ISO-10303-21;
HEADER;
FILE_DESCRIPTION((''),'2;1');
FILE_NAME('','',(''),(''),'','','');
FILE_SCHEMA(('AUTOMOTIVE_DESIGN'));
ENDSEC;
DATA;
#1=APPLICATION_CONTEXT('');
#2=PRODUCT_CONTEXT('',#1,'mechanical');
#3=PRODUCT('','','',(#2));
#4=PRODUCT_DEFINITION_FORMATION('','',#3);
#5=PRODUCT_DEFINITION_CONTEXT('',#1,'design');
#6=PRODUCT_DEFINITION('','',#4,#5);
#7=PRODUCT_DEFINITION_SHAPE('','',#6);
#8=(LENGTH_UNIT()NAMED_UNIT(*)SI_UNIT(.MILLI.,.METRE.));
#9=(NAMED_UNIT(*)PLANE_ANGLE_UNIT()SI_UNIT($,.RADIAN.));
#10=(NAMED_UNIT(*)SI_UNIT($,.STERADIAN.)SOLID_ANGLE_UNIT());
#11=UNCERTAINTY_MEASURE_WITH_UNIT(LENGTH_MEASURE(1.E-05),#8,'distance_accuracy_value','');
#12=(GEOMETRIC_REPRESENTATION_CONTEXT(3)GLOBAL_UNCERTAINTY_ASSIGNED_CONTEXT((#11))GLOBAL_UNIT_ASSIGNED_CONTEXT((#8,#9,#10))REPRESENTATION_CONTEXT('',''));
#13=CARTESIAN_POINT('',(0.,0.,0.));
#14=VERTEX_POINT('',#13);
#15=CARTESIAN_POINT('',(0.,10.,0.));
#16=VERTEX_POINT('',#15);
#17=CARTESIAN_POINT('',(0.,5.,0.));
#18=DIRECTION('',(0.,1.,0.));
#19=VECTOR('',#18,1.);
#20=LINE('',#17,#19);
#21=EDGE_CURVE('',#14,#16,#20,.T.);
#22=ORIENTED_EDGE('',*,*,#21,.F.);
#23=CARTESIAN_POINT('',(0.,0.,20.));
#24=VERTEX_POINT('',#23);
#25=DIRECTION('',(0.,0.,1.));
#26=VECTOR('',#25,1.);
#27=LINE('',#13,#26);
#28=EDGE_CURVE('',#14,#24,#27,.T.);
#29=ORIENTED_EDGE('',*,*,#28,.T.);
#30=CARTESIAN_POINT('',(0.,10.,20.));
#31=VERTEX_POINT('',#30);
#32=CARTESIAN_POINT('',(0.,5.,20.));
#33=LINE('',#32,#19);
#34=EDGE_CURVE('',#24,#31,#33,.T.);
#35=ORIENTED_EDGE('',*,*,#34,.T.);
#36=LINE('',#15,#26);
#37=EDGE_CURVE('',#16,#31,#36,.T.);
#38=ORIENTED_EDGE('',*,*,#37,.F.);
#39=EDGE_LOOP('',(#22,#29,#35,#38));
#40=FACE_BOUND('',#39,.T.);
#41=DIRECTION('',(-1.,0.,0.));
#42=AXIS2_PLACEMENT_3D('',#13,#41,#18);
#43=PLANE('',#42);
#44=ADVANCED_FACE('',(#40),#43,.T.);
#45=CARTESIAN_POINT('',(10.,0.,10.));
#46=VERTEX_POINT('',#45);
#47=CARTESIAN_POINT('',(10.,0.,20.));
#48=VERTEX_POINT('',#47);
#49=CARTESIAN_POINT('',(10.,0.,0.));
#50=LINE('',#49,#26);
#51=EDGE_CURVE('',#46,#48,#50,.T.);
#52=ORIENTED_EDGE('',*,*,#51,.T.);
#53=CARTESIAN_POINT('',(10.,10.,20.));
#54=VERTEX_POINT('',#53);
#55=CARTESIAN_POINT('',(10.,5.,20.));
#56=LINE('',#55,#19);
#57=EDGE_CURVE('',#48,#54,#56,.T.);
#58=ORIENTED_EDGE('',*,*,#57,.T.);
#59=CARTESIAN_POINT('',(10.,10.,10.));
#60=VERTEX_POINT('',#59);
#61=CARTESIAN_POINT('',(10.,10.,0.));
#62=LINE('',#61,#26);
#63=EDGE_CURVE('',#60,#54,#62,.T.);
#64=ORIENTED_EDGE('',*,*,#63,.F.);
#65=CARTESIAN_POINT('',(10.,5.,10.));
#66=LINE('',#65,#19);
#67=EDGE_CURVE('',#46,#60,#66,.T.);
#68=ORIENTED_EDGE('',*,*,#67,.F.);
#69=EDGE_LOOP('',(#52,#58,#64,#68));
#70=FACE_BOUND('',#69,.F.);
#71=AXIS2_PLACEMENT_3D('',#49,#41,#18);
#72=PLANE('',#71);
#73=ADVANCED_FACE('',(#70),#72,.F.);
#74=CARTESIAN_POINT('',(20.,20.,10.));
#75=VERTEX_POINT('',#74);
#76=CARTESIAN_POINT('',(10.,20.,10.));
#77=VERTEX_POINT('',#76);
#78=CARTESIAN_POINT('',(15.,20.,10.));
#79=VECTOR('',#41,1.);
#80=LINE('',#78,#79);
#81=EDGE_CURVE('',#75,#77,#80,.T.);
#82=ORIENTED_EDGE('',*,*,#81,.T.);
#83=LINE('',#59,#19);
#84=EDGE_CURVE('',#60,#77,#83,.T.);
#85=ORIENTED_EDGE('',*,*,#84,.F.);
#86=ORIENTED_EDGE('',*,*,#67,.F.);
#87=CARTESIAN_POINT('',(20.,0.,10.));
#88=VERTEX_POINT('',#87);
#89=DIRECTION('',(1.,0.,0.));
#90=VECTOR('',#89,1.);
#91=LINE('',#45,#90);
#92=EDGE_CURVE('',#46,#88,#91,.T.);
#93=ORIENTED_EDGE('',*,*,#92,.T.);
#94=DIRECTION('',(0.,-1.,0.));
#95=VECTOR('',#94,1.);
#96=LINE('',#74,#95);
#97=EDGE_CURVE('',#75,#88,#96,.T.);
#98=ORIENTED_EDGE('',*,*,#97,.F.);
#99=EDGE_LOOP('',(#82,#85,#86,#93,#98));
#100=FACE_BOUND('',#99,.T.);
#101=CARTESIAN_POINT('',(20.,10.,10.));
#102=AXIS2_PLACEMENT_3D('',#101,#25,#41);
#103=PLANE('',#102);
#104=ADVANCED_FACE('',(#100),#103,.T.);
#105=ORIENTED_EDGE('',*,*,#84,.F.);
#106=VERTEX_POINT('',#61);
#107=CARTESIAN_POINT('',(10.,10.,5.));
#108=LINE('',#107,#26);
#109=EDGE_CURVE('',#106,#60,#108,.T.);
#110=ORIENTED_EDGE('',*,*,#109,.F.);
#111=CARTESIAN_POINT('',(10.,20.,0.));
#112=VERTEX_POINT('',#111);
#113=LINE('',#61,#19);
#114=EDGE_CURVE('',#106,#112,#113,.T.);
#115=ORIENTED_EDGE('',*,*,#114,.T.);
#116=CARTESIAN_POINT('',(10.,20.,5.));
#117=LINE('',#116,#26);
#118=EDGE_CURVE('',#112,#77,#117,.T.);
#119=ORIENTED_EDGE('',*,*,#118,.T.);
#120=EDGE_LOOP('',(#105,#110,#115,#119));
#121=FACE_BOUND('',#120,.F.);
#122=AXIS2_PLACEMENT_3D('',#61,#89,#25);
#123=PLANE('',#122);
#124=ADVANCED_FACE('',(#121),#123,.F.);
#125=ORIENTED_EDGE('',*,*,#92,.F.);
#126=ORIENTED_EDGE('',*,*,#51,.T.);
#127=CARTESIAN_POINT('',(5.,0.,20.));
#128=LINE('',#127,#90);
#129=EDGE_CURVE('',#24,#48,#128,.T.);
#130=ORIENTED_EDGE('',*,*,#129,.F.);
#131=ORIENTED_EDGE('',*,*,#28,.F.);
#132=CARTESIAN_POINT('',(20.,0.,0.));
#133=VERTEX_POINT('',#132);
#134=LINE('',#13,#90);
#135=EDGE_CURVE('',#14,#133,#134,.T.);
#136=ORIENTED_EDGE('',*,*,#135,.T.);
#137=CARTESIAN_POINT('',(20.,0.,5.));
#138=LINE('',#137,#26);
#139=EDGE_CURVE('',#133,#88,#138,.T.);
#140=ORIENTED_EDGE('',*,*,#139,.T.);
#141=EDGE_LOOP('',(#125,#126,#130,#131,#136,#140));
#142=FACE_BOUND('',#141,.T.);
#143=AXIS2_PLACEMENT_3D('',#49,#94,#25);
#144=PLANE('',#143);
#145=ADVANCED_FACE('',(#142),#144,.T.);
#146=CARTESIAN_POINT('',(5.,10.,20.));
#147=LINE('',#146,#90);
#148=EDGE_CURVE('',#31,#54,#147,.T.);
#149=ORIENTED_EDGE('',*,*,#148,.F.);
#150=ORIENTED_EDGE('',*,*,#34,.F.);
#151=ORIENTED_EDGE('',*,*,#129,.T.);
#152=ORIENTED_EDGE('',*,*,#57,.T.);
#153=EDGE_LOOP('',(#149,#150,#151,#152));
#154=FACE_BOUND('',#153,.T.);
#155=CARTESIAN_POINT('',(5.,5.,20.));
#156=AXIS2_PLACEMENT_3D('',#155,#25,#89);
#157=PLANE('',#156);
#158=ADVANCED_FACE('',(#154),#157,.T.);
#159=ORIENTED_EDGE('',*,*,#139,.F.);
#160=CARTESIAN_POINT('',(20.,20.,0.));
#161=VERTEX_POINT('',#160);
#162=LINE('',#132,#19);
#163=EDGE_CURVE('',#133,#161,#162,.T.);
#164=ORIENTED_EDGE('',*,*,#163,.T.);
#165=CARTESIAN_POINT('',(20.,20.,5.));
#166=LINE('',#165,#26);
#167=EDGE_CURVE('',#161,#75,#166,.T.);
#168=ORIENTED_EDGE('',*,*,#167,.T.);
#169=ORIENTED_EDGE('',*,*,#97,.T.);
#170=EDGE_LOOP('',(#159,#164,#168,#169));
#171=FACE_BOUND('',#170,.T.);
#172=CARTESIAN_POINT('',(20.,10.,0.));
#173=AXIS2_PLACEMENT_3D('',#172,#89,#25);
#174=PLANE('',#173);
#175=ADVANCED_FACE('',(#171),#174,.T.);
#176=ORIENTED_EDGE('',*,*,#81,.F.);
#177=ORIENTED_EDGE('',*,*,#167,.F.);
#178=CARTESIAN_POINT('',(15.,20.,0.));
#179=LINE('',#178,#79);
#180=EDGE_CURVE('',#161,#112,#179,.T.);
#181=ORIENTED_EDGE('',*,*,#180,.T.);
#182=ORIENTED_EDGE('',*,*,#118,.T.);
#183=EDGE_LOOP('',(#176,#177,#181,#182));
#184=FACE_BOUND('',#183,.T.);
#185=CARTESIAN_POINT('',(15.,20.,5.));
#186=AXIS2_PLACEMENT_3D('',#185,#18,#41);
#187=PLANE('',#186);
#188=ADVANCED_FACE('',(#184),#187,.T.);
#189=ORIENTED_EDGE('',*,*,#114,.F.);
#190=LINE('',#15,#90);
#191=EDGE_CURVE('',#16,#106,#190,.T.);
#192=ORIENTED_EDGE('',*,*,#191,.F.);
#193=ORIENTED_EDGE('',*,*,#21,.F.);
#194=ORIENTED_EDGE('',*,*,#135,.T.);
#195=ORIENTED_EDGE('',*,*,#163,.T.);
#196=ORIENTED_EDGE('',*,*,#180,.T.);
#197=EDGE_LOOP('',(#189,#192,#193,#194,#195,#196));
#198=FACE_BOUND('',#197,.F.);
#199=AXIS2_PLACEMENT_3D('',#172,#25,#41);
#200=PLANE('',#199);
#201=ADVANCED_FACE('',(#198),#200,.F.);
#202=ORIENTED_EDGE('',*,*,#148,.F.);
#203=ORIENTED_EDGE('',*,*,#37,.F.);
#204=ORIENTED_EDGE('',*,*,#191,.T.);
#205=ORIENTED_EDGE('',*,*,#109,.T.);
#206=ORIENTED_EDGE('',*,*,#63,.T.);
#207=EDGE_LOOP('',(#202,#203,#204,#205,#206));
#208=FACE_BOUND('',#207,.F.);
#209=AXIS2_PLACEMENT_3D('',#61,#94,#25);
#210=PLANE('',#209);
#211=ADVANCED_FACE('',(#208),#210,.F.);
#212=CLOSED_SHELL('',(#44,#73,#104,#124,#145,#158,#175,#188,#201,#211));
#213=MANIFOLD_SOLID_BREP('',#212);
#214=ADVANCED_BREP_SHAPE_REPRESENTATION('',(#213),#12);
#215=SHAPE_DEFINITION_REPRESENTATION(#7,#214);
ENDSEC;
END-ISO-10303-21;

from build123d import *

# Parameters (mm, degrees)
F0_W     = 10
F0_H     = 10
F1_DEPTH = 20
F2_W     = 10
F2_H     = 10
F3_DEPTH = 10
F4_W     = 10
F4_H     = 10
F5_DEPTH = 10


with BuildPart() as f1:
    # F0 (on Top) → F1 (new body)
    with BuildSketch(Plane.XY):
        with Locations((5, 5)):
            Rectangle(F0_W, F0_H)
    extrude(amount=F1_DEPTH)

    # F2 (on face) → F3 (join)
    with BuildSketch(Plane.YZ.offset(10)):
        with Locations((5, 5)):
            Rectangle(F2_W, F2_H)
    extrude(amount=F3_DEPTH)

    # F4 (on face) → F5 (join)
    with BuildSketch(Plane(origin=(0, 10, 0), x_dir=(-1, 0, 0), z_dir=(0, 1, 0))):
        with Locations((-15, 5)):
            Rectangle(F4_W, F4_H)
    extrude(amount=F5_DEPTH)


solid = f1.part
